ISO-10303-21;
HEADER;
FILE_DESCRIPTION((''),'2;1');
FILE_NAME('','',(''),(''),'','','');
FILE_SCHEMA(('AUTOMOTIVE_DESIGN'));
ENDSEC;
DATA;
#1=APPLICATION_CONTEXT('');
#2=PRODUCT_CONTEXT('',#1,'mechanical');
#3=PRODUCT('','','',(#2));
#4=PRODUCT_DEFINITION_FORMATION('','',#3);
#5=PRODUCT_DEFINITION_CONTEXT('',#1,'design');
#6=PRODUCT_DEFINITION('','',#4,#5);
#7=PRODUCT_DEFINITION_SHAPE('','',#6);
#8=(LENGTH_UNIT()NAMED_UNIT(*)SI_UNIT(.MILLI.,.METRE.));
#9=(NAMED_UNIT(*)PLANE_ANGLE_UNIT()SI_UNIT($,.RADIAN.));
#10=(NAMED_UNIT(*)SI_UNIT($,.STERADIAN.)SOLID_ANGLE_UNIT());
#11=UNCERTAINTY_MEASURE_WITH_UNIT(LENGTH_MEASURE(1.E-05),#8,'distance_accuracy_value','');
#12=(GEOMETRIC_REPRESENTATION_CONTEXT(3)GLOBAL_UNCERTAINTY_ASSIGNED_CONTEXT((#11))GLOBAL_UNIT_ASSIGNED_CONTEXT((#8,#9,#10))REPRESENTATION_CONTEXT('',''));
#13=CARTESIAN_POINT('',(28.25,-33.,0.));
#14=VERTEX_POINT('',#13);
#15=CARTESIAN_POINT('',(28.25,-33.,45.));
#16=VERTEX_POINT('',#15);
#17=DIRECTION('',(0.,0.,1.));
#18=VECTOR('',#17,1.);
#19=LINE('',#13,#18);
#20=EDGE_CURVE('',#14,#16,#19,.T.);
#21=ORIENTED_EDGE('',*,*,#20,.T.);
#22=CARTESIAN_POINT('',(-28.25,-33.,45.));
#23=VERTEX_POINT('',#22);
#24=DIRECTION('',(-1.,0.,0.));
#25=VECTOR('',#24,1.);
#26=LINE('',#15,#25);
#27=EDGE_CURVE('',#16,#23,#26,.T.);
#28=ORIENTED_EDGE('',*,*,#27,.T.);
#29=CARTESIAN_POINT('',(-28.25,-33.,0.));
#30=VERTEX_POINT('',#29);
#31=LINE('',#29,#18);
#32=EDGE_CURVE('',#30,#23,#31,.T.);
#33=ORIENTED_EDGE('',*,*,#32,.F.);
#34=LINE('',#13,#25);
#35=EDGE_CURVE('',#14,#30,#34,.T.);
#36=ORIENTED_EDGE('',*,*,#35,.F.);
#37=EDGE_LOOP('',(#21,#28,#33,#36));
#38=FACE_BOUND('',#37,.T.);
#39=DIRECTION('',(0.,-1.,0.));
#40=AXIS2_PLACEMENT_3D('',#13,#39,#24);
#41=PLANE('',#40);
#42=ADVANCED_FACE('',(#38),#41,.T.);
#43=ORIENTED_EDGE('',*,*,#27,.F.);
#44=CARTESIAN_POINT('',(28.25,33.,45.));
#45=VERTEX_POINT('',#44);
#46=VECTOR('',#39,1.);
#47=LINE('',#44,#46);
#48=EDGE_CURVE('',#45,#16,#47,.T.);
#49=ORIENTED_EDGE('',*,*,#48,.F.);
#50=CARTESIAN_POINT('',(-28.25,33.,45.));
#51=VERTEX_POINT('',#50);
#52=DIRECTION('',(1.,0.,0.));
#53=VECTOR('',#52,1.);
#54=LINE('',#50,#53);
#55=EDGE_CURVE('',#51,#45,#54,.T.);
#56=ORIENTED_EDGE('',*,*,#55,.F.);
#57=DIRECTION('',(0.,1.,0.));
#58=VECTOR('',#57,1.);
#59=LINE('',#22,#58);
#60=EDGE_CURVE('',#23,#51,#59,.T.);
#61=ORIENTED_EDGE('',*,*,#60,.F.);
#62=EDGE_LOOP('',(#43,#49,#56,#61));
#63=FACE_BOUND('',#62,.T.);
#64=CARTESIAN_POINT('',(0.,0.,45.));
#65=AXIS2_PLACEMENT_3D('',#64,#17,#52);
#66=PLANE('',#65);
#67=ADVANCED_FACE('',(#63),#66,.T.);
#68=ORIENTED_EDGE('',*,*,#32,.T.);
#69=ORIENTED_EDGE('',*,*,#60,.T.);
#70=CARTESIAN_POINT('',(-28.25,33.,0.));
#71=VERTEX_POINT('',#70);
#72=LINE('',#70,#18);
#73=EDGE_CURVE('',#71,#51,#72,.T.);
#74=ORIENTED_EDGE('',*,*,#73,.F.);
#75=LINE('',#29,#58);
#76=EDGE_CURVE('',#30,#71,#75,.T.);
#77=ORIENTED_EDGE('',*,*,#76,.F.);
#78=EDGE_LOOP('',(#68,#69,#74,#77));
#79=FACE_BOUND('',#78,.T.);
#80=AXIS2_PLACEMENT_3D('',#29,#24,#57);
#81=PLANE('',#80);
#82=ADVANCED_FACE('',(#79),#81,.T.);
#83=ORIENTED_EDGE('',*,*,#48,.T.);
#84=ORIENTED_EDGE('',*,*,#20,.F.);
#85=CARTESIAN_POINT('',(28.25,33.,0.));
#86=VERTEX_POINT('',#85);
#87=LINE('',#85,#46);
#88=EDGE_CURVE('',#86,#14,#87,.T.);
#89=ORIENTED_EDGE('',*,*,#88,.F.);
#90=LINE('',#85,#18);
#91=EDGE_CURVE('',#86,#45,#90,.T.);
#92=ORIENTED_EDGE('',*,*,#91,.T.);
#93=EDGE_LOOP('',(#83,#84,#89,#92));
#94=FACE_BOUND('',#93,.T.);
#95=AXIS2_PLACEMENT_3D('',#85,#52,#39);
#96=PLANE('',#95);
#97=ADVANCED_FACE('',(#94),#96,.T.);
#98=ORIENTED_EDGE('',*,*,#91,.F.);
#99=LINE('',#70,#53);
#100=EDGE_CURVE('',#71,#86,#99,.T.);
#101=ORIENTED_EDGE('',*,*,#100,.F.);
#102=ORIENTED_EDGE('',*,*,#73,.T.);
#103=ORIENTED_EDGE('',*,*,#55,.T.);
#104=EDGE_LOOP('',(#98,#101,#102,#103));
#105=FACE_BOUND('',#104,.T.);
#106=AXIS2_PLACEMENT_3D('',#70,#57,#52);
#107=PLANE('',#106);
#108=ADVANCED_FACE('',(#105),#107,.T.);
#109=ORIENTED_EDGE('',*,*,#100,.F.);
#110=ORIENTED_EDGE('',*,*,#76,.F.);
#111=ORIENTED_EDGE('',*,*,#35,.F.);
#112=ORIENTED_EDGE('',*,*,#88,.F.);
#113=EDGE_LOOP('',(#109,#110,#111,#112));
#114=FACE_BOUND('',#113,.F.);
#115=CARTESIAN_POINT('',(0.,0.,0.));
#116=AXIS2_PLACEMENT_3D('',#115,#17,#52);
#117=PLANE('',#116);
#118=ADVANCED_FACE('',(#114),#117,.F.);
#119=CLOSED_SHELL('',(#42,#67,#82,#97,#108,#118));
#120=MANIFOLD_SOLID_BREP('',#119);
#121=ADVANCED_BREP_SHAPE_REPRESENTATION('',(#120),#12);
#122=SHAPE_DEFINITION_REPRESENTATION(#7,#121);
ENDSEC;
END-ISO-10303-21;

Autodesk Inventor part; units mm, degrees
ref_plane "YZ Plane" through (0, 0, 0) normal (1, 0, 0) x (0, 1, 0)
ref_plane "XZ Plane" through (0, 0, 0) normal (0, 1, 0) x (-1, 0, 0)
ref_plane "XY Plane" through (0, 0, 0) normal (0, 0, 1) x (1, 0, 0)
sketch "스케치1" plane through (0, 0, 0) normal (0, 0, 1) x (1, 0, 0)
  line L0 (28.25, -33) -> (-28.25, -33)
  line L1 (-28.25, -33) -> (-28.25, 33)
  line L2 (-28.25, 33) -> (28.25, 33)
  line L3 (28.25, 33) -> (28.25, -33)
  line L4 (28.25, -33) -> (-28.25, 33) construction
  line L5 (-28.25, -33) -> (28.25, 33) construction
  point P0 (0, 0)
  dimension "d0" = 56.5
  dimension "d1" = 66
extrude "돌출1" add sketch "스케치1" along normal blind 45
properties part number "SAFRS-P-0024"
